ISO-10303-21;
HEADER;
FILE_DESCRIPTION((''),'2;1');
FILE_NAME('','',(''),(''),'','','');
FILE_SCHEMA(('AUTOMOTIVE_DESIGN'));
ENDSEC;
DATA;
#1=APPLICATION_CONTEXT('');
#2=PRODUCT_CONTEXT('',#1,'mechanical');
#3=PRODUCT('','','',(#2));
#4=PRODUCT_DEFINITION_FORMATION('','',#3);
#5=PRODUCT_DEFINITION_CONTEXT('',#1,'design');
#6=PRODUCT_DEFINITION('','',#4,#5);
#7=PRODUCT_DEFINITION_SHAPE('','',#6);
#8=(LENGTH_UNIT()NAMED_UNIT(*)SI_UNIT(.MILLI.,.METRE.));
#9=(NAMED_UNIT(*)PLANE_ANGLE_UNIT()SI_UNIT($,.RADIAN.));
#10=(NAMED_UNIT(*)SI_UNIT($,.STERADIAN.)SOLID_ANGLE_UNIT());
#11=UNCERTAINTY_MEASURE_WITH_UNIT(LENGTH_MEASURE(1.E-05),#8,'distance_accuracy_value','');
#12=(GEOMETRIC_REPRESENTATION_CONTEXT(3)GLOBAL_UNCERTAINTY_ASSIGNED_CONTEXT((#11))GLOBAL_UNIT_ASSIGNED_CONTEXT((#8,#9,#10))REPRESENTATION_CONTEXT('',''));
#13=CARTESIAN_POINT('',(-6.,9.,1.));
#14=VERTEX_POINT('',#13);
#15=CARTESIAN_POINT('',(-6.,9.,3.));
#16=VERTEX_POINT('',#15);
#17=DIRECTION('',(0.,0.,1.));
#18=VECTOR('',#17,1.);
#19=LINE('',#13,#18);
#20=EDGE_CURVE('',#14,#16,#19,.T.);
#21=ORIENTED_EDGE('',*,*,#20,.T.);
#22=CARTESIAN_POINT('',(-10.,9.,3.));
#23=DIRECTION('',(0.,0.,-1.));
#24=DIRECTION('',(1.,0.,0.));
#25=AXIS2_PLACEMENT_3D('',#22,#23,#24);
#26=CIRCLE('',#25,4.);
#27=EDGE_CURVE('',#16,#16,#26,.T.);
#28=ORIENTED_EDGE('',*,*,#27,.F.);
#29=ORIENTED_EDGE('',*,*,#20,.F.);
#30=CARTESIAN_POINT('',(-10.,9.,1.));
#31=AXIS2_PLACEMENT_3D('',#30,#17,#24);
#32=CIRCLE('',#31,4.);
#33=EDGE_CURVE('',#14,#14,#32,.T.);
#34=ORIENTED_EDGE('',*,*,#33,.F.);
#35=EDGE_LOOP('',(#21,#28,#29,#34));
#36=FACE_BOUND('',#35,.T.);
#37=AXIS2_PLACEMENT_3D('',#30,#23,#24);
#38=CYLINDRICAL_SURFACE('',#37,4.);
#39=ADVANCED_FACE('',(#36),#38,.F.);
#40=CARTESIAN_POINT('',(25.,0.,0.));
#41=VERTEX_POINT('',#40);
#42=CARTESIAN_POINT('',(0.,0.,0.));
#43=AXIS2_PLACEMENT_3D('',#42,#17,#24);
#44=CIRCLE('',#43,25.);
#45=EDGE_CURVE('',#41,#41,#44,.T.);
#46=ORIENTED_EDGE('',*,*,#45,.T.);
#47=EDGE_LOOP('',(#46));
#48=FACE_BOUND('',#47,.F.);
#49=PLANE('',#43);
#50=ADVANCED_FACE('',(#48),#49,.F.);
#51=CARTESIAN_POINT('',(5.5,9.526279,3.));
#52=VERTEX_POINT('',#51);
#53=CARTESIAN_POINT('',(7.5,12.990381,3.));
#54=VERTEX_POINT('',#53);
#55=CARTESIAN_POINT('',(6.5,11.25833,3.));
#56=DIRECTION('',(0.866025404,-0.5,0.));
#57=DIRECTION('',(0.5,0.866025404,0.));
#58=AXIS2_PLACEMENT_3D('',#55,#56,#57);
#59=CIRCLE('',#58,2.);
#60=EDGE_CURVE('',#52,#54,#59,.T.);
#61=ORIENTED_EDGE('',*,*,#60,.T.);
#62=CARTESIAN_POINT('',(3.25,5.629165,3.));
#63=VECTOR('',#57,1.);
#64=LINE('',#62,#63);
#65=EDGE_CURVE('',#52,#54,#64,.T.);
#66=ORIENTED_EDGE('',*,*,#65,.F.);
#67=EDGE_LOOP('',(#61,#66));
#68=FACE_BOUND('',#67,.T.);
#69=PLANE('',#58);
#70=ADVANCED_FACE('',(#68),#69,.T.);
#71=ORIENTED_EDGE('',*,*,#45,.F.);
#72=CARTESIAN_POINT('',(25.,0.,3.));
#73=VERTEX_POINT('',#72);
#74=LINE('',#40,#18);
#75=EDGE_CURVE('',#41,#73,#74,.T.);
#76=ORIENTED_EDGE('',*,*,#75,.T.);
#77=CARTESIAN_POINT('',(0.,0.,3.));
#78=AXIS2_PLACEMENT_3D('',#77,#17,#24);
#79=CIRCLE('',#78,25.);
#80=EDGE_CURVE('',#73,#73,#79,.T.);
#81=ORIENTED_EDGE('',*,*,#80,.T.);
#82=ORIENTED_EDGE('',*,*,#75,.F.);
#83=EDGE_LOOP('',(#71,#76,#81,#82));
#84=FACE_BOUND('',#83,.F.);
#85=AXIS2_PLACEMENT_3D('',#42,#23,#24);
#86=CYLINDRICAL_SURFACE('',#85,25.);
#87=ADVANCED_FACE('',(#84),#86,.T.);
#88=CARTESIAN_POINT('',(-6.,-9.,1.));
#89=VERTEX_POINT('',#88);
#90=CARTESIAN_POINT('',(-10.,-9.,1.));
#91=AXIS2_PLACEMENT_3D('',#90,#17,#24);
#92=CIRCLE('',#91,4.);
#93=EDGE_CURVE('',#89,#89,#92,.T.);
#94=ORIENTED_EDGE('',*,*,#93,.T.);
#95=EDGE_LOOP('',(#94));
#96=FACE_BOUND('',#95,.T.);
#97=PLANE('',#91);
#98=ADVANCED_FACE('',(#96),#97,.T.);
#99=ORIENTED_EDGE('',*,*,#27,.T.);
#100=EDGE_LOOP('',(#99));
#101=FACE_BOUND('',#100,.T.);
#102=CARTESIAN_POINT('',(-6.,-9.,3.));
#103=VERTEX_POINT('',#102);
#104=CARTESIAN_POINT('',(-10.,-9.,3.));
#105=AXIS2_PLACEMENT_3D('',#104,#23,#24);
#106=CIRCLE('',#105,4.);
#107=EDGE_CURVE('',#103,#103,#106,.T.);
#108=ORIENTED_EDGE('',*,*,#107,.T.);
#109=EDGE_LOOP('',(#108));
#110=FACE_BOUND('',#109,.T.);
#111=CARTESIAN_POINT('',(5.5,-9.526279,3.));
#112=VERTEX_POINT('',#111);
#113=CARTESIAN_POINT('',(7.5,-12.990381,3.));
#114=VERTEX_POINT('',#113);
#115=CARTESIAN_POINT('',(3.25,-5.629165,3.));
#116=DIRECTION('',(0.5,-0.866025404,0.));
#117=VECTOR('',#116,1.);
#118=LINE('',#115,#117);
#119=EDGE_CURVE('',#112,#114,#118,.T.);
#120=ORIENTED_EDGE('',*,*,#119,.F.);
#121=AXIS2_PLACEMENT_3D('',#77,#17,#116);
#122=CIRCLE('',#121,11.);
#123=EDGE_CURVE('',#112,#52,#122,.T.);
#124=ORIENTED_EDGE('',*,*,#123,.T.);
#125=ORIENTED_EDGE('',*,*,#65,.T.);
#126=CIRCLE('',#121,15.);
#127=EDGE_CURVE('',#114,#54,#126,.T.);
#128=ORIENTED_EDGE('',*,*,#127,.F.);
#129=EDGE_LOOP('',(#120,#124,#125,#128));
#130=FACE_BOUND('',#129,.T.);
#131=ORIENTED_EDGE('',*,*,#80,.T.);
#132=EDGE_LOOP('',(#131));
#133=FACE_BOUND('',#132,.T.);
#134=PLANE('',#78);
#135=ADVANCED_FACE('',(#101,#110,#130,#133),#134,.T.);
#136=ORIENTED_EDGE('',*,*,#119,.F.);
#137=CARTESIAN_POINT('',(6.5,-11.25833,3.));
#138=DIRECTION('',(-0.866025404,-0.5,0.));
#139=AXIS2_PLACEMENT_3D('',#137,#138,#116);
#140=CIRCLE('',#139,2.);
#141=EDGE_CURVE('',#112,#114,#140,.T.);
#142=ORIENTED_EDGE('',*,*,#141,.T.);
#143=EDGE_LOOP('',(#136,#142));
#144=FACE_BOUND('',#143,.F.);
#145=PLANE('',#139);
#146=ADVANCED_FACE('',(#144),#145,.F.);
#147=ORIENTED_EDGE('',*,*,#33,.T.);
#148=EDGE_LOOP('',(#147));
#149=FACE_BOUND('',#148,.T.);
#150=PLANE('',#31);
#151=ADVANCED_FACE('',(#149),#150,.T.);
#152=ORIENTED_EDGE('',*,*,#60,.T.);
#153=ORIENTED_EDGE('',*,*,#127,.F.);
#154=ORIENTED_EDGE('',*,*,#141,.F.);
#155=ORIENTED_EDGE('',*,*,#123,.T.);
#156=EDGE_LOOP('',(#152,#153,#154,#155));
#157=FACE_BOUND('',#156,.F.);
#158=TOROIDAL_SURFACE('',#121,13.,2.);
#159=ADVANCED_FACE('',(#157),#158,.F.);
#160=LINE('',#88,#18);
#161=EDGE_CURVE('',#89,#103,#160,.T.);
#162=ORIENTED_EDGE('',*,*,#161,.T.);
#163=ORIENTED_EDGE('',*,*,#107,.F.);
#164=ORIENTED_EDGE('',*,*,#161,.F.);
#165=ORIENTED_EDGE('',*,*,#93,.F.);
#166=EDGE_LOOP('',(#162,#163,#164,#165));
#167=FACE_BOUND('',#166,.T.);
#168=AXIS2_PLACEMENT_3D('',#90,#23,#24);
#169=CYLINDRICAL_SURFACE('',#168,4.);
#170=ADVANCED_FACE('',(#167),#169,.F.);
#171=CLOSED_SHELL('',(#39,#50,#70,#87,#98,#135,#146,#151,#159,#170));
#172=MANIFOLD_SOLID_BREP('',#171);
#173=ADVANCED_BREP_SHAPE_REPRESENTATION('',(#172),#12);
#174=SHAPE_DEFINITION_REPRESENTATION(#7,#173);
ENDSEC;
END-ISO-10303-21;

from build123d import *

# Parameters (mm, degrees)
CYLINDER002_R         = 4
CYLINDER002_DEPTH     = 3
CYLINDER001_R         = 4
CYLINDER001_DEPTH     = 3
TORUS_R               = 2
TORUS_ANGLE           = 120
TORUS_PLACEMENT_ANGLE = 60
CYLINDER_R            = 25
CYLINDER_DEPTH        = 3


with BuildPart() as cilindre002:
    # Cylinder002 → Cylinder002 (new body)
    with BuildSketch(Plane(origin=(-10, -9, 1), x_dir=(1, 0, 0), z_dir=(0, 0, 1))):
        Circle(CYLINDER002_R)
    extrude(amount=CYLINDER002_DEPTH)


with BuildPart() as fusion:
    # Cylinder001 → Cylinder001 (new body)
    with BuildSketch(Plane(origin=(-10, 9, 1), x_dir=(1, 0, 0), z_dir=(0, 0, 1))):
        Circle(CYLINDER001_R)
    extrude(amount=CYLINDER001_DEPTH)

    # Fusion: union Cilindre002
    add(cilindre002.part)


with BuildPart() as torus:
    # Torus → Torus (revolve)
    with BuildSketch(Plane.XZ):
        with Locations((13, 0)):
            Circle(TORUS_R)
    revolve(axis=Axis((0, 0, 0), (0, 0, 1)), revolution_arc=TORUS_ANGLE)


with BuildPart() as torus_1:
    # Torus placement: moved
    add(torus.part.moved(Location((0, 0, 3))).rotate(Axis((0, 0, 3), (0, 0, -1)), TORUS_PLACEMENT_ANGLE))


with BuildPart() as cut001:
    # Cylinder → Cylinder (new body)
    with BuildSketch(Plane.XY):
        Circle(CYLINDER_R)
    extrude(amount=CYLINDER_DEPTH)

    # Cut: cut Torus
    add(torus_1.part, mode=Mode.SUBTRACT)

    # Cut001: cut Fusion
    add(fusion.part, mode=Mode.SUBTRACT)


solid = cut001.part
